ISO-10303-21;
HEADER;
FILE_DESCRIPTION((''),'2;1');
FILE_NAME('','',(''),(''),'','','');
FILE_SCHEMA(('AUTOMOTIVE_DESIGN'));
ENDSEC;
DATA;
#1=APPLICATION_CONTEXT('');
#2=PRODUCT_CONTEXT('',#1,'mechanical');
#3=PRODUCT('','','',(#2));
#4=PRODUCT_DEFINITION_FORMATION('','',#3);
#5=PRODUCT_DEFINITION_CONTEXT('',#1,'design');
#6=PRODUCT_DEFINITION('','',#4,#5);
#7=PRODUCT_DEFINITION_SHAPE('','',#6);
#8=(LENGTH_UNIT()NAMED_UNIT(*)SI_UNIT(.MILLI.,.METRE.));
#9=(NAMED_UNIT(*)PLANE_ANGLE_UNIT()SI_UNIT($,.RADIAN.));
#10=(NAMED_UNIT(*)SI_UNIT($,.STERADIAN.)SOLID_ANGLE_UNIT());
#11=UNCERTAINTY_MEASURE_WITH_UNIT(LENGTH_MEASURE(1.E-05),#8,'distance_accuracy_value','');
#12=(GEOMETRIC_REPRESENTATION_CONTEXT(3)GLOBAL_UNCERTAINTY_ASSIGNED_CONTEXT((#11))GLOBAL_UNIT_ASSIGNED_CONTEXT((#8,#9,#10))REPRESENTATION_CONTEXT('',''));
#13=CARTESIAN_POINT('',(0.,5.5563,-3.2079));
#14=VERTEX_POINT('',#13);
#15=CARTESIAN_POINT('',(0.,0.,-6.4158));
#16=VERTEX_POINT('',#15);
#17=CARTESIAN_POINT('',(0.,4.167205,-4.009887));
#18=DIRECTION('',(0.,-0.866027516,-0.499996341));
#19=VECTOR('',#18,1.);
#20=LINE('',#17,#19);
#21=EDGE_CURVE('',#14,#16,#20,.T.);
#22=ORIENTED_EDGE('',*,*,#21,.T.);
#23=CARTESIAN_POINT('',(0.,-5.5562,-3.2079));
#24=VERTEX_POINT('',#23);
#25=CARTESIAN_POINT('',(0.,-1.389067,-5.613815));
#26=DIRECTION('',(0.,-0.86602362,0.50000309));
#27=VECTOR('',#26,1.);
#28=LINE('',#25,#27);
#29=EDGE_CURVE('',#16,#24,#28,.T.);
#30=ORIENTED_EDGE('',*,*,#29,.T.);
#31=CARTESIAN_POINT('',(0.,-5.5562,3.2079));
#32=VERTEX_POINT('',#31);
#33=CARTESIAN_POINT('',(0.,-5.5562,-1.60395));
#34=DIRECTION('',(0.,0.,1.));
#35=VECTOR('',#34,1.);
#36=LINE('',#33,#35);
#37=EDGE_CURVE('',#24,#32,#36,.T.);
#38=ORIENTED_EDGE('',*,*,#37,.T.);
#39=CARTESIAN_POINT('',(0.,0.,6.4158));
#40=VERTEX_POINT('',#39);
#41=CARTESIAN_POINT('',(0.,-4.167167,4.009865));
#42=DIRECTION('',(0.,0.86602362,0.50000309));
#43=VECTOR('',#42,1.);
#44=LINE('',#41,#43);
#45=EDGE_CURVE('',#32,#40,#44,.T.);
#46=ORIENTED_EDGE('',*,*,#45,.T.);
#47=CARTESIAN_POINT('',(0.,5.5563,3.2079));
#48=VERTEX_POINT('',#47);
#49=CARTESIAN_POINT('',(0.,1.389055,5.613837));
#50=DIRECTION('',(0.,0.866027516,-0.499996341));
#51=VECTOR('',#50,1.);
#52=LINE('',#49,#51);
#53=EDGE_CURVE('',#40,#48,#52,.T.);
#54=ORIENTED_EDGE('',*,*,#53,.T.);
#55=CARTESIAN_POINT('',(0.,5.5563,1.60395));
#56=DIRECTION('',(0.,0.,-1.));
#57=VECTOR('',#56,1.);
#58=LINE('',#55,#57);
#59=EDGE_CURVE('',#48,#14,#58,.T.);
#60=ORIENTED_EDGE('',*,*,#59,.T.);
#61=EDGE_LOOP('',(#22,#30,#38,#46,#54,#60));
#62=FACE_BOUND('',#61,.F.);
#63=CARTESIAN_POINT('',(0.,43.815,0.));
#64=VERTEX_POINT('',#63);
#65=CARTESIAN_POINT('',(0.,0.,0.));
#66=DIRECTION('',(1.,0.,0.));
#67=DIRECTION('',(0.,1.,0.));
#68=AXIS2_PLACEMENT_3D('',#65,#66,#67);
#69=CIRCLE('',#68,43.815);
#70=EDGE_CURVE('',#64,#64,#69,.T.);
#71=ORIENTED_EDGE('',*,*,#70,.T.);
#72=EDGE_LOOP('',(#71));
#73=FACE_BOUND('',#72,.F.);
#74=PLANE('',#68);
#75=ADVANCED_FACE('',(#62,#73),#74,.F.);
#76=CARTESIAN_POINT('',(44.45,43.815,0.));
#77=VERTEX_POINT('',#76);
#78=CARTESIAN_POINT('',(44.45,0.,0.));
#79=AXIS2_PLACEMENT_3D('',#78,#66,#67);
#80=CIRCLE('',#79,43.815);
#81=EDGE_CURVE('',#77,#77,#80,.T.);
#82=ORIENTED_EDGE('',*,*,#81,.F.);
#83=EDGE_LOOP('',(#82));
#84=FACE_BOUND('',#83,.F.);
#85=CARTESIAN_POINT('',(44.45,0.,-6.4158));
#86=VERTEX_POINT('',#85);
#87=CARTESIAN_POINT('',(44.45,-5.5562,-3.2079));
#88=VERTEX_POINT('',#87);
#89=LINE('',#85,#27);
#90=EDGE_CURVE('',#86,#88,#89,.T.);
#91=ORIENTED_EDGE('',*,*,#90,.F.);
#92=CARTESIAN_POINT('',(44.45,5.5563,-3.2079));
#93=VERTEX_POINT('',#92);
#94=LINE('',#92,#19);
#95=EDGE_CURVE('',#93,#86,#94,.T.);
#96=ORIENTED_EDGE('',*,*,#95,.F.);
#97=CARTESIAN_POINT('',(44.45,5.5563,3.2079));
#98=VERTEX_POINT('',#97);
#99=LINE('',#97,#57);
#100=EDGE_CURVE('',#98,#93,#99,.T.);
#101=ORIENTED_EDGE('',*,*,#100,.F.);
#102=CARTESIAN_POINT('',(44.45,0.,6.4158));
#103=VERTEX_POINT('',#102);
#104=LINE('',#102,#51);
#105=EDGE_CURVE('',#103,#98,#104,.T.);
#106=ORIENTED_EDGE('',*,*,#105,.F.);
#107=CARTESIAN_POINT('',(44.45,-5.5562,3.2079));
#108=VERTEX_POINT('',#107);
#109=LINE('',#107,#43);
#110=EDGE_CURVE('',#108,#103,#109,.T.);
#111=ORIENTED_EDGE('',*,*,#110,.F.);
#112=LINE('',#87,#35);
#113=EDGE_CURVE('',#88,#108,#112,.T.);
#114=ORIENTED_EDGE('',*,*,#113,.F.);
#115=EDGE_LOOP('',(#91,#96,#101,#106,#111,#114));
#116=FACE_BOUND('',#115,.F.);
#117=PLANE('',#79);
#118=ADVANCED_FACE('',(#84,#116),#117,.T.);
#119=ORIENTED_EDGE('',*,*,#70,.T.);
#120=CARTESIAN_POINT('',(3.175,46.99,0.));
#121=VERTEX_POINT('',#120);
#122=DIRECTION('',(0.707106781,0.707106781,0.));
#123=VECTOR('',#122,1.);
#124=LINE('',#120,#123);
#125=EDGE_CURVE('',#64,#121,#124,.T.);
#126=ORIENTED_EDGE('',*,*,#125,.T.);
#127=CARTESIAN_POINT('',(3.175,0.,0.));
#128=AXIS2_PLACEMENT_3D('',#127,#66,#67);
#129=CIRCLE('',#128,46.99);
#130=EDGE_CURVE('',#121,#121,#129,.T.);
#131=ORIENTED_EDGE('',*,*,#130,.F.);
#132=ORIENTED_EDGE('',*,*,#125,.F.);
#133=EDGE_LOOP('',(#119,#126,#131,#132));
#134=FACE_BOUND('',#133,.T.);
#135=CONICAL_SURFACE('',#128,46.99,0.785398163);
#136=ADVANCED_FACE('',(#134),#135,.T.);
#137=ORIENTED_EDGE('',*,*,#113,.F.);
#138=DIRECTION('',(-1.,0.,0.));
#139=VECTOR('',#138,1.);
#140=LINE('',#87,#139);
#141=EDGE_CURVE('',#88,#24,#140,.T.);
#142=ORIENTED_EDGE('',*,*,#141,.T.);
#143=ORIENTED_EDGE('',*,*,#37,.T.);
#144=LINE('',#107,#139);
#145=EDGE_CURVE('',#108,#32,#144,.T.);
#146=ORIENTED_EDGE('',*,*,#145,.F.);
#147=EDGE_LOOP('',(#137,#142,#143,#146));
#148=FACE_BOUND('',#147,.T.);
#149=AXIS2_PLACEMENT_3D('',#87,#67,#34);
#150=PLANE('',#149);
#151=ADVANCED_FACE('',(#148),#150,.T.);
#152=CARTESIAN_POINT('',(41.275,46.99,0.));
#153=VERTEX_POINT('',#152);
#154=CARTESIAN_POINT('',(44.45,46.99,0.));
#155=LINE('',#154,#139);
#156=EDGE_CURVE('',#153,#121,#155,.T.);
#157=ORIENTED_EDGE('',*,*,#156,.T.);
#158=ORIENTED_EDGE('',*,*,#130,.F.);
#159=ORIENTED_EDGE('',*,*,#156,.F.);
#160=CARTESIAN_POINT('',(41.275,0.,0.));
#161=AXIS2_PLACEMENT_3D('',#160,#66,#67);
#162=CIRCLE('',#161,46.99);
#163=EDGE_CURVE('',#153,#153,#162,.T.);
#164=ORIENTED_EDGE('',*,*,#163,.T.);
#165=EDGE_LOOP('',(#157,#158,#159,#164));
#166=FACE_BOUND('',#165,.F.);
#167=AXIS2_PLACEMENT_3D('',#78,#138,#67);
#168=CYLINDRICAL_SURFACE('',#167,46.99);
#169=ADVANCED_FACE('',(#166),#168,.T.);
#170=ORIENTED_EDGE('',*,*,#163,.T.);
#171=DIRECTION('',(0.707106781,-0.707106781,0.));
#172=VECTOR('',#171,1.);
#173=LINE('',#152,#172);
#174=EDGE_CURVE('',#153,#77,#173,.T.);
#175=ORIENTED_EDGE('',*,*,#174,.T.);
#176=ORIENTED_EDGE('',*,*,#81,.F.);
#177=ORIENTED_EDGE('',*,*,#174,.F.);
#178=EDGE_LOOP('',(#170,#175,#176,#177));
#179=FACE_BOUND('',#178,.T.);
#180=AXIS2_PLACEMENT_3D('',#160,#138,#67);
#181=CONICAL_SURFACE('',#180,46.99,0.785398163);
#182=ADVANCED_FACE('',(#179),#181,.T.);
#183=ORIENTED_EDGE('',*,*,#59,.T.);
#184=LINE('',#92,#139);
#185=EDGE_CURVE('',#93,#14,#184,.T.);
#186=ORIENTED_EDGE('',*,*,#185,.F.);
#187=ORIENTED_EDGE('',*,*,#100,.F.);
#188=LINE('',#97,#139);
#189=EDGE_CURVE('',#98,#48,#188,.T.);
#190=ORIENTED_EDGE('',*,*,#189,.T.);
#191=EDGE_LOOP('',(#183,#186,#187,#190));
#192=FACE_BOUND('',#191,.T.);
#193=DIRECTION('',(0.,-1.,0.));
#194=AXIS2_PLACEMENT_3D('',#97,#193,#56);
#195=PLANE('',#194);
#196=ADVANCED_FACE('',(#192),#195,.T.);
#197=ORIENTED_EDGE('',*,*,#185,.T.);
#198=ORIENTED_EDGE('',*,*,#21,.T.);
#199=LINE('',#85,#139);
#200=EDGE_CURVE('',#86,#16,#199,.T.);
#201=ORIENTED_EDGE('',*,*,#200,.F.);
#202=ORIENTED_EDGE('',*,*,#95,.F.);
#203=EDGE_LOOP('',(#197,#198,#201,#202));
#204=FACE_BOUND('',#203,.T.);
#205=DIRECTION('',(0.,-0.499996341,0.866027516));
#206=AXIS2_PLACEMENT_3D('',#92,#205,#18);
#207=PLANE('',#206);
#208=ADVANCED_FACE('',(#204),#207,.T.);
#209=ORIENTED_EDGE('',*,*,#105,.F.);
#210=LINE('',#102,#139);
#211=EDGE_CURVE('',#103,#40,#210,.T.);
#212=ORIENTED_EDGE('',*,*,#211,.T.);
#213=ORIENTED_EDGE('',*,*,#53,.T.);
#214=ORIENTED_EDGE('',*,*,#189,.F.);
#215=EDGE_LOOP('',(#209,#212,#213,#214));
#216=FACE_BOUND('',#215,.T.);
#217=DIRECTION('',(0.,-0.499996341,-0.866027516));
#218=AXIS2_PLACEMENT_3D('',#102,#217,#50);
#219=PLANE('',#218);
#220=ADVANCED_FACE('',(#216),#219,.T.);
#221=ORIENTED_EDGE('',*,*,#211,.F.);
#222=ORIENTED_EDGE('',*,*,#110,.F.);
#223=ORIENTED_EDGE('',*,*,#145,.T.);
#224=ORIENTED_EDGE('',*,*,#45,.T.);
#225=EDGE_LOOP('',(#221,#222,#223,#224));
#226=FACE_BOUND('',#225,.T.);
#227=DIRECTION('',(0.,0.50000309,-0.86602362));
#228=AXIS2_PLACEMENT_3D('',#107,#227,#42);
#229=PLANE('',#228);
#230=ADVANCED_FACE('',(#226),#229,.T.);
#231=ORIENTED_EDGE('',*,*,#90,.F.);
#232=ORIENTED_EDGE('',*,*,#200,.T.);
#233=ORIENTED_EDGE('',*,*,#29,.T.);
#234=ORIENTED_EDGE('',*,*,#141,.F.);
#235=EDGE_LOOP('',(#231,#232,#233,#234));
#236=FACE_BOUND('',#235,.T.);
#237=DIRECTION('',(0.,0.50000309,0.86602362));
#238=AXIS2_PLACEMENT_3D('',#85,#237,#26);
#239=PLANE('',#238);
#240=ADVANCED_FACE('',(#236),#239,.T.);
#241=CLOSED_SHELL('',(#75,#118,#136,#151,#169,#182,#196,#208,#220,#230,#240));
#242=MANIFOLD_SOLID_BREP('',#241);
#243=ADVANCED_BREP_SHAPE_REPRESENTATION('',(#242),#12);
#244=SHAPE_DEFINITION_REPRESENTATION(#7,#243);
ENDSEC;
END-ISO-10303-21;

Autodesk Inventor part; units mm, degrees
ref_plane "YZ Plane" through (0, 0, 0) normal (1, 0, 0) x (0, 1, 0)
ref_plane "XZ Plane" through (0, 0, 0) normal (0, 1, 0) x (-1, 0, 0)
ref_plane "XY Plane" through (0, 0, 0) normal (0, 0, 1) x (1, 0, 0)
sketch "Sketch1" plane through (0, 0, 0) normal (0, 0, 1) x (1, 0, 0)
  line L0 (0, 0) -> (44.45, 0)
  line L1 (44.45, 0) -> (44.45, 46.99)
  line L2 (44.45, 46.99) -> (0, 46.99)
  line L3 (0, 46.99) -> (0, 0)
  dimension "d0" = 46.99
  dimension "d1" = 44.45
revolve "Revolution1" add sketch "Sketch1" angle 360 about axis through (0, 0, 0) along (1, 0, 0)
chamfer "Chamfer1" distance 3.175 angle 45 2 edges at (44.45, -46.99, 0) (0, -46.99, 0)
sketch "Sketch2" plane through (44.45, 0, 0) normal (1, 0, 0) x (0, 0, -1)
  circle A0 centre (0, 0) radius 43.815 projected
  line L0 (6.4158, 0) -> (3.2079, -5.5562)
  line L1 (3.2079, -5.5562) -> (-3.2079, -5.5562)
  line L2 (-3.2079, -5.5562) -> (-6.4158, 0)
  line L3 (-6.4158, 0) -> (-3.2079, 5.5563)
  line L4 (-3.2079, 5.5563) -> (3.2079, 5.5563)
  line L5 (3.2079, 5.5563) -> (6.4158, 0)
  dimension "d6" = 11.1125
extrude "Extrusion1" cut sketch "Sketch2" against normal through all contours L0 L1 L2 L3 L4 L5
properties part number "Wheel Temp"
